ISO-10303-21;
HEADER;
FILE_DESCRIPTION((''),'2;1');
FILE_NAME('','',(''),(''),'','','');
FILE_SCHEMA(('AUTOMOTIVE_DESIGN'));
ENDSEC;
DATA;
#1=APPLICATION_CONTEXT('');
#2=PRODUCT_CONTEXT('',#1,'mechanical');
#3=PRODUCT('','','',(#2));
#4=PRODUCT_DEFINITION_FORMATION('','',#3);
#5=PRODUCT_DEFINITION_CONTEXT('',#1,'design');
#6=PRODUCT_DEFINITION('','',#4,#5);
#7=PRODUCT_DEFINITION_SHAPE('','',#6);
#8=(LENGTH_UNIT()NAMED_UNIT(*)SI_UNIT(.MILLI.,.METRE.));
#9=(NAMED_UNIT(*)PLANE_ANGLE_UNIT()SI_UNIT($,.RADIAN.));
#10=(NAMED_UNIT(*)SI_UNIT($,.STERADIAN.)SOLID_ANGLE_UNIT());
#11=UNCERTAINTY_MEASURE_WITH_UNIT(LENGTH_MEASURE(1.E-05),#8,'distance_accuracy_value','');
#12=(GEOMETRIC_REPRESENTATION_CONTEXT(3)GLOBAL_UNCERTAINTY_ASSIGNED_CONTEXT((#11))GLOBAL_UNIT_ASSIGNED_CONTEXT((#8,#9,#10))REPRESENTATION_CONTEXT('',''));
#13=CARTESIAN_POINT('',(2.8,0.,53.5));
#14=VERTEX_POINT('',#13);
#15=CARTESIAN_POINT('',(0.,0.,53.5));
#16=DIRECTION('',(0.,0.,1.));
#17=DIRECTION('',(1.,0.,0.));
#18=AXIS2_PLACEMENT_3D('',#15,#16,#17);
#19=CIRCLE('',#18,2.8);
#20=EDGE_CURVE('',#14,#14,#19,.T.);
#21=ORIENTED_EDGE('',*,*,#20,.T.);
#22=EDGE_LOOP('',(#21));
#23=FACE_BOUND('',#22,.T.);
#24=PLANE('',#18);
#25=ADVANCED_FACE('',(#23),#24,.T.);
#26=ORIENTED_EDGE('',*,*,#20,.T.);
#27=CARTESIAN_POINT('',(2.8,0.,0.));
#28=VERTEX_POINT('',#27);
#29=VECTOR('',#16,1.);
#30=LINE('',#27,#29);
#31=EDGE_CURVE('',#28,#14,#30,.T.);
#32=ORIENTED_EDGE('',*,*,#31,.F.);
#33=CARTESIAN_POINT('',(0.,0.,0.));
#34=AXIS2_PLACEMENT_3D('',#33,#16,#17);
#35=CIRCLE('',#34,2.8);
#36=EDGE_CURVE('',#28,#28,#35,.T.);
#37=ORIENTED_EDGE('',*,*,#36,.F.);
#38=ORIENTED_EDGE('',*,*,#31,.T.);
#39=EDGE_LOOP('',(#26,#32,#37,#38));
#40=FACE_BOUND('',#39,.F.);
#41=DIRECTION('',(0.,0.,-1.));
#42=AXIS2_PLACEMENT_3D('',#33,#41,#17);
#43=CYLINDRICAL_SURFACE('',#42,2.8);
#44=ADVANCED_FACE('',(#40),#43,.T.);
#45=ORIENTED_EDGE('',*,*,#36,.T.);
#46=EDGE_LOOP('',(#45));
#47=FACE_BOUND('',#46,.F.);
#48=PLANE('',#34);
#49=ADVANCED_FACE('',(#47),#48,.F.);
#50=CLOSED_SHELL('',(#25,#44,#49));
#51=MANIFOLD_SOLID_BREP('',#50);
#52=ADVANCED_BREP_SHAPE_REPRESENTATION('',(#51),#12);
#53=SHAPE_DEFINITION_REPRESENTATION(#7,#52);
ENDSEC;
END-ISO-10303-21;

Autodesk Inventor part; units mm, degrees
sketch "Sketch1" plane through (0, 0, 0) normal (0, 0, 1) x (1, 0, 0)
  line L0 (0, 2.9102) -> (0, -2.9102) construction
  line L1 (-5.8825, 0) -> (5.8825, 0) construction
  circle A0 centre (0, 0) radius 2.8
  dimension "d0" = 5.6
extrude "Extrusion1" add sketch "Sketch1" along normal blind 53.5
properties part number "As" material "S235"
